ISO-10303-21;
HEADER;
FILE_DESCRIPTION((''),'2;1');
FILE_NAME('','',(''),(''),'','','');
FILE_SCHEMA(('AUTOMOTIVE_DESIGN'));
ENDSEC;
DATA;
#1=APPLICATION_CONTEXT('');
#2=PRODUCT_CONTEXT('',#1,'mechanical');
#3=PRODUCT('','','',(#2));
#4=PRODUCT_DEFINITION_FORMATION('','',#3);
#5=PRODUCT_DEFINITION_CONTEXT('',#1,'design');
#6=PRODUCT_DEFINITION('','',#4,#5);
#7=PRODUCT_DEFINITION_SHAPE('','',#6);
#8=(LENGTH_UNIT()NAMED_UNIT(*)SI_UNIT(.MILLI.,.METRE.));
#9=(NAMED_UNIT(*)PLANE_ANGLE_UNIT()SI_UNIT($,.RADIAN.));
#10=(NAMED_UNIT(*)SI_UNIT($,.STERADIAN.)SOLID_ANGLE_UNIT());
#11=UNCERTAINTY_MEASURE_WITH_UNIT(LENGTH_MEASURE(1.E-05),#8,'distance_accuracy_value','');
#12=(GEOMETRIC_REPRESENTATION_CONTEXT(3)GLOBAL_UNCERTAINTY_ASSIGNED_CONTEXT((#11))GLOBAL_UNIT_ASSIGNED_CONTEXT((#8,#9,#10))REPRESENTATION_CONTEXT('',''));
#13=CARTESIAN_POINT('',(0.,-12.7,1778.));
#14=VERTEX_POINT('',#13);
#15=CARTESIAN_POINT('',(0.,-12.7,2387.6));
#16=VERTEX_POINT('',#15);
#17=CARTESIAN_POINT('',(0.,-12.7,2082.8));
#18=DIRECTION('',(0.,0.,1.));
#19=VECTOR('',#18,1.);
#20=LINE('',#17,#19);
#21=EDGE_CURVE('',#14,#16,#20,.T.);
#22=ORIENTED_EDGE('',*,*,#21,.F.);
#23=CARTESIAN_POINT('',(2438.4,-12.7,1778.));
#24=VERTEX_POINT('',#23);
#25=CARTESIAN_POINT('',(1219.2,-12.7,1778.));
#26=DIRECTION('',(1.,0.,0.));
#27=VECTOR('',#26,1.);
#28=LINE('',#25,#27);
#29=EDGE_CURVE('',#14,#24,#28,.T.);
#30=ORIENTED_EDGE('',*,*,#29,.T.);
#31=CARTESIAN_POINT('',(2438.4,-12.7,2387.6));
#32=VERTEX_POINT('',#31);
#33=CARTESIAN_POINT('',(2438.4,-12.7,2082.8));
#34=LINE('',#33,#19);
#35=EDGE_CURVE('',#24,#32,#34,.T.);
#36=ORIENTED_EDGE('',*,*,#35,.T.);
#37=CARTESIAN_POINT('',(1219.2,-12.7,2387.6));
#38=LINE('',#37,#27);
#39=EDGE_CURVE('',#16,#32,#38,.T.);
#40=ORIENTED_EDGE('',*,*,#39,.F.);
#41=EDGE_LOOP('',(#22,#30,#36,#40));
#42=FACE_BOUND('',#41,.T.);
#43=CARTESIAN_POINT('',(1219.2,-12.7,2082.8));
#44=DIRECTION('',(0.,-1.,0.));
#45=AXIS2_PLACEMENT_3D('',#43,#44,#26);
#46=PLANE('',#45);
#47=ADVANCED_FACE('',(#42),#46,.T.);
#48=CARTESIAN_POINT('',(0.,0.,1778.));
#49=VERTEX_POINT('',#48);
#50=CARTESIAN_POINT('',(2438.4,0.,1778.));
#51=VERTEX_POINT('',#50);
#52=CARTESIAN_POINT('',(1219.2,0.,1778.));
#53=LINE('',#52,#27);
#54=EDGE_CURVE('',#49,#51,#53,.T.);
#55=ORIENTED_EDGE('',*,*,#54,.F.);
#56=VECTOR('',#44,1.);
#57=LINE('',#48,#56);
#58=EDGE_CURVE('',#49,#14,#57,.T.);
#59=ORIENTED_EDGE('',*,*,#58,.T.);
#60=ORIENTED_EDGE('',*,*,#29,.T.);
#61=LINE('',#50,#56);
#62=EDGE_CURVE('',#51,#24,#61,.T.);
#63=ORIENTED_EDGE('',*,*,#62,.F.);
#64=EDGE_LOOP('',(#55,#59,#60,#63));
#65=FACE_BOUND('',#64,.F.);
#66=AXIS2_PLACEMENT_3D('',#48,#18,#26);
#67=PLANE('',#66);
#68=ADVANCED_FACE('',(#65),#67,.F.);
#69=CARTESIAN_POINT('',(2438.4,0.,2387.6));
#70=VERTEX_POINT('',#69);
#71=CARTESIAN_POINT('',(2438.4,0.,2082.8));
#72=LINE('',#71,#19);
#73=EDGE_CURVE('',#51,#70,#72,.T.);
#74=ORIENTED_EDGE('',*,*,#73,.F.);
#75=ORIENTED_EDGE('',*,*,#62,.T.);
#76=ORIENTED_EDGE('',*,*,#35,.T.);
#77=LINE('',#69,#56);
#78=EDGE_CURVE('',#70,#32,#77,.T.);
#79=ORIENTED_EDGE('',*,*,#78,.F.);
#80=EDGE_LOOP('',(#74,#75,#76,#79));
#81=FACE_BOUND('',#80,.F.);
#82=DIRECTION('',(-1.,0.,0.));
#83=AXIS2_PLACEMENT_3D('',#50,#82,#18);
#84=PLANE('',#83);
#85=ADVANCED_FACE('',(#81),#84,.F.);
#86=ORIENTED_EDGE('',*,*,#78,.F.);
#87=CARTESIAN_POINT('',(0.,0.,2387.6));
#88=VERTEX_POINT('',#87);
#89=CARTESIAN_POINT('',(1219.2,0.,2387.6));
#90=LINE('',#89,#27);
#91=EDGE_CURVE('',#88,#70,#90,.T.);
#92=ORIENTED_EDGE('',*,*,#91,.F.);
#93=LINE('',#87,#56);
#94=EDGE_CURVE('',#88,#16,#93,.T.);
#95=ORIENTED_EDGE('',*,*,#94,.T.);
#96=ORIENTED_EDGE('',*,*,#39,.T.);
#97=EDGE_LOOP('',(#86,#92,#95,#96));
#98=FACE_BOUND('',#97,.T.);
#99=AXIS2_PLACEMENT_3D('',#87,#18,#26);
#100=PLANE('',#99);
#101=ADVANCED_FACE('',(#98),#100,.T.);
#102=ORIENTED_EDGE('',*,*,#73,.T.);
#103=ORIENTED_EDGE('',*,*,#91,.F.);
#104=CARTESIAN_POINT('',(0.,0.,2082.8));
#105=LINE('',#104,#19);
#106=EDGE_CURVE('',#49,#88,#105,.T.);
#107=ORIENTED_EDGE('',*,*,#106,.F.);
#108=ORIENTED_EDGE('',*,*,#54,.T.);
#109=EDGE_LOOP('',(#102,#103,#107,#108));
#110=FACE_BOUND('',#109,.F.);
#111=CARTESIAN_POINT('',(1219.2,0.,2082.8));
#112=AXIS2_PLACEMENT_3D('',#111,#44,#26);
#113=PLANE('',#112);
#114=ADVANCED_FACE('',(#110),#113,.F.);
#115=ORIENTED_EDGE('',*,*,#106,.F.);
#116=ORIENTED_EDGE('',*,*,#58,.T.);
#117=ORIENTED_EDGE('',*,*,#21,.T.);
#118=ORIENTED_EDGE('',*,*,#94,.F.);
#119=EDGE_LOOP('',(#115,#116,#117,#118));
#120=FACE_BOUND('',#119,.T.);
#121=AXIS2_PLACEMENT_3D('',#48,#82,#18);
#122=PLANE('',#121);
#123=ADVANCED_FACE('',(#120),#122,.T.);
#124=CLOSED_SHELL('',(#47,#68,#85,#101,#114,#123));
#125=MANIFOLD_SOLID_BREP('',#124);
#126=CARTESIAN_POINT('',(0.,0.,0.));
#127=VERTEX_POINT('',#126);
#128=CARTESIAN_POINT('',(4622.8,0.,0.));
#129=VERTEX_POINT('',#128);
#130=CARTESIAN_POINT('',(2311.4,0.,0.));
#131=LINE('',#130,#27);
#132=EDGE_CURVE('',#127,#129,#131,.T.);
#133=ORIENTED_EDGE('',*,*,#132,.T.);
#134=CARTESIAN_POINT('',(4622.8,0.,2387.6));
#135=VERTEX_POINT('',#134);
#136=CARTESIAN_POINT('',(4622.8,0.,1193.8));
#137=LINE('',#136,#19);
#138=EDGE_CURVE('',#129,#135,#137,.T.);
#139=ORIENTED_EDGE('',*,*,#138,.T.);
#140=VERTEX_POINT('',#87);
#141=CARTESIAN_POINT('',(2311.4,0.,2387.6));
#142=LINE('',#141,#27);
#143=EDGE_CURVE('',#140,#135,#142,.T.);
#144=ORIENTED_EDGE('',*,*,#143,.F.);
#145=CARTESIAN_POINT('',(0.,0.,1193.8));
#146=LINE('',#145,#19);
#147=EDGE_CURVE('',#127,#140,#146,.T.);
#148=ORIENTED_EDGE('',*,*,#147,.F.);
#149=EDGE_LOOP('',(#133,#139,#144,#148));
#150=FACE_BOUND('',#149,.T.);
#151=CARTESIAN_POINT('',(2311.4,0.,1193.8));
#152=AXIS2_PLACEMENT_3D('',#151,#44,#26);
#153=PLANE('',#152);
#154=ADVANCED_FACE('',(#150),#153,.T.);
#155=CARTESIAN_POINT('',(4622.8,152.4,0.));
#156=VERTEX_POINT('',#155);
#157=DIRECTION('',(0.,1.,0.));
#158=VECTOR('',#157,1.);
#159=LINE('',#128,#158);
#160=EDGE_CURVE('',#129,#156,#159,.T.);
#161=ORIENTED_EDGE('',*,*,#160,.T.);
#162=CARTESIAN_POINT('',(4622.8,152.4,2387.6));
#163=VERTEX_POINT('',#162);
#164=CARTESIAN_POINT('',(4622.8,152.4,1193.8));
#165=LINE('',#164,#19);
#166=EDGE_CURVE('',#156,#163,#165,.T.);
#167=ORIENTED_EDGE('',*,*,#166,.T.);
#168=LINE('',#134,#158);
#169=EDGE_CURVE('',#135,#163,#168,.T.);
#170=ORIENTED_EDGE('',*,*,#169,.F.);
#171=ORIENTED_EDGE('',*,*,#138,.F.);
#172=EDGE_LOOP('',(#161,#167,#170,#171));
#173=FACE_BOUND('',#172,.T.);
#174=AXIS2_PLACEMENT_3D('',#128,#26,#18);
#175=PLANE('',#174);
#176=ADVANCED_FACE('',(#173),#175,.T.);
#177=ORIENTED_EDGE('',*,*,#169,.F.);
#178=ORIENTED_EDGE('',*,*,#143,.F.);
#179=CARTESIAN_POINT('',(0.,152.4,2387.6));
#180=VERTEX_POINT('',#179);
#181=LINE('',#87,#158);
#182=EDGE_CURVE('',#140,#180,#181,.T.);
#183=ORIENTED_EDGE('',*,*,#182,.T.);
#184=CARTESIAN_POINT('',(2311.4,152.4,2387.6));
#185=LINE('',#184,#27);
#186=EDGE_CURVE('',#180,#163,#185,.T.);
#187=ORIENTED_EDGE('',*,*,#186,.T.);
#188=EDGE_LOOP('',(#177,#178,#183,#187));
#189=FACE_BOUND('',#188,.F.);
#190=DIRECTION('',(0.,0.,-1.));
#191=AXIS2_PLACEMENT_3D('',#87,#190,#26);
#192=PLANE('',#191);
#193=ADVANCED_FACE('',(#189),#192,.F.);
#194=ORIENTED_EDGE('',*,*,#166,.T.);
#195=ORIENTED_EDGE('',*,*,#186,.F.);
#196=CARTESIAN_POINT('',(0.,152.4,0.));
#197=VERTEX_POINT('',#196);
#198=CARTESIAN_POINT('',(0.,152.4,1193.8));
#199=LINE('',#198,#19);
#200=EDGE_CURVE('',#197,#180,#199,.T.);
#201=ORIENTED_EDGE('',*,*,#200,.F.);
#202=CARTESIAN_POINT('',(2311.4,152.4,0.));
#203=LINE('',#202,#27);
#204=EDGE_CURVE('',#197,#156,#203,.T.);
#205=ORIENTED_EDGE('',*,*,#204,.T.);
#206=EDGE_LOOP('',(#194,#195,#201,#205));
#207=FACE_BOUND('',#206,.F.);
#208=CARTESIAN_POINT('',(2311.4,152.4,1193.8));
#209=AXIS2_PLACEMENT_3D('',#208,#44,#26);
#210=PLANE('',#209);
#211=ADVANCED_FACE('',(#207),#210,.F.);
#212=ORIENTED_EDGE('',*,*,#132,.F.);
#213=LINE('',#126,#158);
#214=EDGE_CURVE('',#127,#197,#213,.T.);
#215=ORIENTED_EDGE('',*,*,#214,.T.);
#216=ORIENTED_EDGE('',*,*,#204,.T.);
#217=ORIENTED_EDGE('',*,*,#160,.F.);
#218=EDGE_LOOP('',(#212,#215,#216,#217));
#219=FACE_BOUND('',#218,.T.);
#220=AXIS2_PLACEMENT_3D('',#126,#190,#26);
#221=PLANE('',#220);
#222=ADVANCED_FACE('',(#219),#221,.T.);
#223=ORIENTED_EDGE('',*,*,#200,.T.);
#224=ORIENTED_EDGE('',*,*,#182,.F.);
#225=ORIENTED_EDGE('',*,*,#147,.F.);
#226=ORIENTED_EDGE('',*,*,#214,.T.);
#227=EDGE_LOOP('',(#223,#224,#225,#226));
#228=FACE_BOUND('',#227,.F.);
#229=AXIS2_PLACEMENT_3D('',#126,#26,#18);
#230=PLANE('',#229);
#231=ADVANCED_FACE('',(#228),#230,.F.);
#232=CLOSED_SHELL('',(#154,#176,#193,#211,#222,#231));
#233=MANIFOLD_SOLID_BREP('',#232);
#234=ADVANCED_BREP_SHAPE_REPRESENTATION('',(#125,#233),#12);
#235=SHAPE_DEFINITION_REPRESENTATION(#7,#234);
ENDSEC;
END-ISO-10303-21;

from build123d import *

# Parameters (mm, degrees)
F0_W     = 4622.8
F0_H     = 2387.6
F1_DEPTH = 152.4
F2_W     = 2438.4
F2_H     = 609.6
F3_DEPTH = 12.7


with BuildPart() as f1:
    # F0 (on Front) → F1 (new body)
    with BuildSketch(Plane.XZ):
        with Locations((2311.4, 1193.8)):
            Rectangle(F0_W, F0_H)
    extrude(amount=-F1_DEPTH)


with BuildPart() as f3:
    # F2 (on face) → F3 (new body)
    with BuildSketch(Plane.XZ):
        with Locations((1219.2, 2082.8)):
            Rectangle(F2_W, F2_H)
    extrude(amount=F3_DEPTH)


solid = Compound([f1.part, f3.part])
